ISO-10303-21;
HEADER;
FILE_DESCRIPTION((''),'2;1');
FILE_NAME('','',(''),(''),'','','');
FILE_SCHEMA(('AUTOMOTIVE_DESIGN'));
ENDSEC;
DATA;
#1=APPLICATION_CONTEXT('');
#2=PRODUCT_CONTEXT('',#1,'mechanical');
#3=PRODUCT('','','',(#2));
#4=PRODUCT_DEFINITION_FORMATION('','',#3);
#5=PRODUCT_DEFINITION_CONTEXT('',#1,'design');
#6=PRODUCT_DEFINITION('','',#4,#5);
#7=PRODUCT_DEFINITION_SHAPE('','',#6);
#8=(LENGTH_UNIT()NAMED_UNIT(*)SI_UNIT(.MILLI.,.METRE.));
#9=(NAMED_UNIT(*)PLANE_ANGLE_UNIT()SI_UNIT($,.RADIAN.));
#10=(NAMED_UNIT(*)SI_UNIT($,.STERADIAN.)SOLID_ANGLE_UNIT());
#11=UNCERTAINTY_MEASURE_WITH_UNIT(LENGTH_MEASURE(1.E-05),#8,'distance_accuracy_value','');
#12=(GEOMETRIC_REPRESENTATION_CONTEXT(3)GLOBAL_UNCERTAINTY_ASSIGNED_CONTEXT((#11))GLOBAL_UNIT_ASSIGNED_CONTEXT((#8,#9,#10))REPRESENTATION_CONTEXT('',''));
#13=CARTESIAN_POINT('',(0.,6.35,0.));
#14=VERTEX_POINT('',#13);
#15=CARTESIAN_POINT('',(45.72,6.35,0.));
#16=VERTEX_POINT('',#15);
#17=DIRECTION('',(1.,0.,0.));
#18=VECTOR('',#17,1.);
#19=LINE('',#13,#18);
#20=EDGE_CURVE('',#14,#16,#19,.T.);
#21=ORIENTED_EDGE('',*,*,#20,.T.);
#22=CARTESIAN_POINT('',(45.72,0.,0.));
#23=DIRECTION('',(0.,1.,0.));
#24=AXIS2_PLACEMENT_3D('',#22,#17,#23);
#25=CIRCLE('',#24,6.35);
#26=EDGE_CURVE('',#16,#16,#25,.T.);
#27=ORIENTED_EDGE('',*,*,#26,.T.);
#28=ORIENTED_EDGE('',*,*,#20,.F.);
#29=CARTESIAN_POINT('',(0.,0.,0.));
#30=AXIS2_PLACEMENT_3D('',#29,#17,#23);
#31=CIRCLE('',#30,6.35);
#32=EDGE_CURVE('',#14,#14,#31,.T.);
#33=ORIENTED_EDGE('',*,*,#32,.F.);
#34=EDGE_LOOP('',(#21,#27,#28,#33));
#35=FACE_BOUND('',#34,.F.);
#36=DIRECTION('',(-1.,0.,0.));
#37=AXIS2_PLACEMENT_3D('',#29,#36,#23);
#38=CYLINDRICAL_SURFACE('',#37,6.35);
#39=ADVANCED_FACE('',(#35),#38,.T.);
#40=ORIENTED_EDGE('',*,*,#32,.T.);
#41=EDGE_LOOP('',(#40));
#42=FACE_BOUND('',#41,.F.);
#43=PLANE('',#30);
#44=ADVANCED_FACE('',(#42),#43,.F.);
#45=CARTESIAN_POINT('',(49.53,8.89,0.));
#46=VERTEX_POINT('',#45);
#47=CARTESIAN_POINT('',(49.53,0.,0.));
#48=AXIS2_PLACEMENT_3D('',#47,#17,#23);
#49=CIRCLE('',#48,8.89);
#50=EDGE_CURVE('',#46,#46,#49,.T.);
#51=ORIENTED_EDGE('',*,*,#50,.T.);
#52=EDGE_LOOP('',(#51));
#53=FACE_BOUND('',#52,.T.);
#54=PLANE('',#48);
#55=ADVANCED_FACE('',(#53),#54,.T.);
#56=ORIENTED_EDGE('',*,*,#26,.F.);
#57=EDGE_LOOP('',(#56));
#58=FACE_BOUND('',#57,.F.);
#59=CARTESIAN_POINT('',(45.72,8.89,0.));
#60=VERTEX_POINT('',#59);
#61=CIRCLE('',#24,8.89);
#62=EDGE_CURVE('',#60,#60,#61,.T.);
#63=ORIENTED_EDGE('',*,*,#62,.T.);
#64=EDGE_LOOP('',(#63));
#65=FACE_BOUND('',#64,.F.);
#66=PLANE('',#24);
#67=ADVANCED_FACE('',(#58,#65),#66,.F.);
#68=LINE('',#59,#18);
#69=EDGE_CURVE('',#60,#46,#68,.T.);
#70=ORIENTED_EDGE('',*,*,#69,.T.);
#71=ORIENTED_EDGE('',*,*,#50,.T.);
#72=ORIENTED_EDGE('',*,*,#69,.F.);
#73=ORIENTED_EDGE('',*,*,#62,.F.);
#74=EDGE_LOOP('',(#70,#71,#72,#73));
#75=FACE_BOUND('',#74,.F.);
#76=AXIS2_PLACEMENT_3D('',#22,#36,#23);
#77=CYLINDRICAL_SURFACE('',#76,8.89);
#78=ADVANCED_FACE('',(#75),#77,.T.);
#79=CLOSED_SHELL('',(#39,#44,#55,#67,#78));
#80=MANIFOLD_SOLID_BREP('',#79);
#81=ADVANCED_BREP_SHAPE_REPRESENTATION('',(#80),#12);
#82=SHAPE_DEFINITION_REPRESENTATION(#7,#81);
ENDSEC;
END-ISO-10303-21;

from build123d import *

# Parameters (mm, degrees)
F0_R     = 6.35
F1_DEPTH = 45.72
F2_R     = 8.89
F2_R_2   = 6.35
F3_DEPTH = 3.81


with BuildPart() as f1:
    # F0 (on Right) → F1 (new body)
    with BuildSketch(Plane.YZ):
        Circle(F0_R)
    extrude(amount=F1_DEPTH)

    # F2 (on face) → F3 (join)
    with BuildSketch(Plane.YZ.offset(45.72)):
        Circle(F2_R)
        Circle(F2_R_2, mode=Mode.SUBTRACT)
        Circle(F2_R_2)
    extrude(amount=F3_DEPTH)


solid = f1.part
